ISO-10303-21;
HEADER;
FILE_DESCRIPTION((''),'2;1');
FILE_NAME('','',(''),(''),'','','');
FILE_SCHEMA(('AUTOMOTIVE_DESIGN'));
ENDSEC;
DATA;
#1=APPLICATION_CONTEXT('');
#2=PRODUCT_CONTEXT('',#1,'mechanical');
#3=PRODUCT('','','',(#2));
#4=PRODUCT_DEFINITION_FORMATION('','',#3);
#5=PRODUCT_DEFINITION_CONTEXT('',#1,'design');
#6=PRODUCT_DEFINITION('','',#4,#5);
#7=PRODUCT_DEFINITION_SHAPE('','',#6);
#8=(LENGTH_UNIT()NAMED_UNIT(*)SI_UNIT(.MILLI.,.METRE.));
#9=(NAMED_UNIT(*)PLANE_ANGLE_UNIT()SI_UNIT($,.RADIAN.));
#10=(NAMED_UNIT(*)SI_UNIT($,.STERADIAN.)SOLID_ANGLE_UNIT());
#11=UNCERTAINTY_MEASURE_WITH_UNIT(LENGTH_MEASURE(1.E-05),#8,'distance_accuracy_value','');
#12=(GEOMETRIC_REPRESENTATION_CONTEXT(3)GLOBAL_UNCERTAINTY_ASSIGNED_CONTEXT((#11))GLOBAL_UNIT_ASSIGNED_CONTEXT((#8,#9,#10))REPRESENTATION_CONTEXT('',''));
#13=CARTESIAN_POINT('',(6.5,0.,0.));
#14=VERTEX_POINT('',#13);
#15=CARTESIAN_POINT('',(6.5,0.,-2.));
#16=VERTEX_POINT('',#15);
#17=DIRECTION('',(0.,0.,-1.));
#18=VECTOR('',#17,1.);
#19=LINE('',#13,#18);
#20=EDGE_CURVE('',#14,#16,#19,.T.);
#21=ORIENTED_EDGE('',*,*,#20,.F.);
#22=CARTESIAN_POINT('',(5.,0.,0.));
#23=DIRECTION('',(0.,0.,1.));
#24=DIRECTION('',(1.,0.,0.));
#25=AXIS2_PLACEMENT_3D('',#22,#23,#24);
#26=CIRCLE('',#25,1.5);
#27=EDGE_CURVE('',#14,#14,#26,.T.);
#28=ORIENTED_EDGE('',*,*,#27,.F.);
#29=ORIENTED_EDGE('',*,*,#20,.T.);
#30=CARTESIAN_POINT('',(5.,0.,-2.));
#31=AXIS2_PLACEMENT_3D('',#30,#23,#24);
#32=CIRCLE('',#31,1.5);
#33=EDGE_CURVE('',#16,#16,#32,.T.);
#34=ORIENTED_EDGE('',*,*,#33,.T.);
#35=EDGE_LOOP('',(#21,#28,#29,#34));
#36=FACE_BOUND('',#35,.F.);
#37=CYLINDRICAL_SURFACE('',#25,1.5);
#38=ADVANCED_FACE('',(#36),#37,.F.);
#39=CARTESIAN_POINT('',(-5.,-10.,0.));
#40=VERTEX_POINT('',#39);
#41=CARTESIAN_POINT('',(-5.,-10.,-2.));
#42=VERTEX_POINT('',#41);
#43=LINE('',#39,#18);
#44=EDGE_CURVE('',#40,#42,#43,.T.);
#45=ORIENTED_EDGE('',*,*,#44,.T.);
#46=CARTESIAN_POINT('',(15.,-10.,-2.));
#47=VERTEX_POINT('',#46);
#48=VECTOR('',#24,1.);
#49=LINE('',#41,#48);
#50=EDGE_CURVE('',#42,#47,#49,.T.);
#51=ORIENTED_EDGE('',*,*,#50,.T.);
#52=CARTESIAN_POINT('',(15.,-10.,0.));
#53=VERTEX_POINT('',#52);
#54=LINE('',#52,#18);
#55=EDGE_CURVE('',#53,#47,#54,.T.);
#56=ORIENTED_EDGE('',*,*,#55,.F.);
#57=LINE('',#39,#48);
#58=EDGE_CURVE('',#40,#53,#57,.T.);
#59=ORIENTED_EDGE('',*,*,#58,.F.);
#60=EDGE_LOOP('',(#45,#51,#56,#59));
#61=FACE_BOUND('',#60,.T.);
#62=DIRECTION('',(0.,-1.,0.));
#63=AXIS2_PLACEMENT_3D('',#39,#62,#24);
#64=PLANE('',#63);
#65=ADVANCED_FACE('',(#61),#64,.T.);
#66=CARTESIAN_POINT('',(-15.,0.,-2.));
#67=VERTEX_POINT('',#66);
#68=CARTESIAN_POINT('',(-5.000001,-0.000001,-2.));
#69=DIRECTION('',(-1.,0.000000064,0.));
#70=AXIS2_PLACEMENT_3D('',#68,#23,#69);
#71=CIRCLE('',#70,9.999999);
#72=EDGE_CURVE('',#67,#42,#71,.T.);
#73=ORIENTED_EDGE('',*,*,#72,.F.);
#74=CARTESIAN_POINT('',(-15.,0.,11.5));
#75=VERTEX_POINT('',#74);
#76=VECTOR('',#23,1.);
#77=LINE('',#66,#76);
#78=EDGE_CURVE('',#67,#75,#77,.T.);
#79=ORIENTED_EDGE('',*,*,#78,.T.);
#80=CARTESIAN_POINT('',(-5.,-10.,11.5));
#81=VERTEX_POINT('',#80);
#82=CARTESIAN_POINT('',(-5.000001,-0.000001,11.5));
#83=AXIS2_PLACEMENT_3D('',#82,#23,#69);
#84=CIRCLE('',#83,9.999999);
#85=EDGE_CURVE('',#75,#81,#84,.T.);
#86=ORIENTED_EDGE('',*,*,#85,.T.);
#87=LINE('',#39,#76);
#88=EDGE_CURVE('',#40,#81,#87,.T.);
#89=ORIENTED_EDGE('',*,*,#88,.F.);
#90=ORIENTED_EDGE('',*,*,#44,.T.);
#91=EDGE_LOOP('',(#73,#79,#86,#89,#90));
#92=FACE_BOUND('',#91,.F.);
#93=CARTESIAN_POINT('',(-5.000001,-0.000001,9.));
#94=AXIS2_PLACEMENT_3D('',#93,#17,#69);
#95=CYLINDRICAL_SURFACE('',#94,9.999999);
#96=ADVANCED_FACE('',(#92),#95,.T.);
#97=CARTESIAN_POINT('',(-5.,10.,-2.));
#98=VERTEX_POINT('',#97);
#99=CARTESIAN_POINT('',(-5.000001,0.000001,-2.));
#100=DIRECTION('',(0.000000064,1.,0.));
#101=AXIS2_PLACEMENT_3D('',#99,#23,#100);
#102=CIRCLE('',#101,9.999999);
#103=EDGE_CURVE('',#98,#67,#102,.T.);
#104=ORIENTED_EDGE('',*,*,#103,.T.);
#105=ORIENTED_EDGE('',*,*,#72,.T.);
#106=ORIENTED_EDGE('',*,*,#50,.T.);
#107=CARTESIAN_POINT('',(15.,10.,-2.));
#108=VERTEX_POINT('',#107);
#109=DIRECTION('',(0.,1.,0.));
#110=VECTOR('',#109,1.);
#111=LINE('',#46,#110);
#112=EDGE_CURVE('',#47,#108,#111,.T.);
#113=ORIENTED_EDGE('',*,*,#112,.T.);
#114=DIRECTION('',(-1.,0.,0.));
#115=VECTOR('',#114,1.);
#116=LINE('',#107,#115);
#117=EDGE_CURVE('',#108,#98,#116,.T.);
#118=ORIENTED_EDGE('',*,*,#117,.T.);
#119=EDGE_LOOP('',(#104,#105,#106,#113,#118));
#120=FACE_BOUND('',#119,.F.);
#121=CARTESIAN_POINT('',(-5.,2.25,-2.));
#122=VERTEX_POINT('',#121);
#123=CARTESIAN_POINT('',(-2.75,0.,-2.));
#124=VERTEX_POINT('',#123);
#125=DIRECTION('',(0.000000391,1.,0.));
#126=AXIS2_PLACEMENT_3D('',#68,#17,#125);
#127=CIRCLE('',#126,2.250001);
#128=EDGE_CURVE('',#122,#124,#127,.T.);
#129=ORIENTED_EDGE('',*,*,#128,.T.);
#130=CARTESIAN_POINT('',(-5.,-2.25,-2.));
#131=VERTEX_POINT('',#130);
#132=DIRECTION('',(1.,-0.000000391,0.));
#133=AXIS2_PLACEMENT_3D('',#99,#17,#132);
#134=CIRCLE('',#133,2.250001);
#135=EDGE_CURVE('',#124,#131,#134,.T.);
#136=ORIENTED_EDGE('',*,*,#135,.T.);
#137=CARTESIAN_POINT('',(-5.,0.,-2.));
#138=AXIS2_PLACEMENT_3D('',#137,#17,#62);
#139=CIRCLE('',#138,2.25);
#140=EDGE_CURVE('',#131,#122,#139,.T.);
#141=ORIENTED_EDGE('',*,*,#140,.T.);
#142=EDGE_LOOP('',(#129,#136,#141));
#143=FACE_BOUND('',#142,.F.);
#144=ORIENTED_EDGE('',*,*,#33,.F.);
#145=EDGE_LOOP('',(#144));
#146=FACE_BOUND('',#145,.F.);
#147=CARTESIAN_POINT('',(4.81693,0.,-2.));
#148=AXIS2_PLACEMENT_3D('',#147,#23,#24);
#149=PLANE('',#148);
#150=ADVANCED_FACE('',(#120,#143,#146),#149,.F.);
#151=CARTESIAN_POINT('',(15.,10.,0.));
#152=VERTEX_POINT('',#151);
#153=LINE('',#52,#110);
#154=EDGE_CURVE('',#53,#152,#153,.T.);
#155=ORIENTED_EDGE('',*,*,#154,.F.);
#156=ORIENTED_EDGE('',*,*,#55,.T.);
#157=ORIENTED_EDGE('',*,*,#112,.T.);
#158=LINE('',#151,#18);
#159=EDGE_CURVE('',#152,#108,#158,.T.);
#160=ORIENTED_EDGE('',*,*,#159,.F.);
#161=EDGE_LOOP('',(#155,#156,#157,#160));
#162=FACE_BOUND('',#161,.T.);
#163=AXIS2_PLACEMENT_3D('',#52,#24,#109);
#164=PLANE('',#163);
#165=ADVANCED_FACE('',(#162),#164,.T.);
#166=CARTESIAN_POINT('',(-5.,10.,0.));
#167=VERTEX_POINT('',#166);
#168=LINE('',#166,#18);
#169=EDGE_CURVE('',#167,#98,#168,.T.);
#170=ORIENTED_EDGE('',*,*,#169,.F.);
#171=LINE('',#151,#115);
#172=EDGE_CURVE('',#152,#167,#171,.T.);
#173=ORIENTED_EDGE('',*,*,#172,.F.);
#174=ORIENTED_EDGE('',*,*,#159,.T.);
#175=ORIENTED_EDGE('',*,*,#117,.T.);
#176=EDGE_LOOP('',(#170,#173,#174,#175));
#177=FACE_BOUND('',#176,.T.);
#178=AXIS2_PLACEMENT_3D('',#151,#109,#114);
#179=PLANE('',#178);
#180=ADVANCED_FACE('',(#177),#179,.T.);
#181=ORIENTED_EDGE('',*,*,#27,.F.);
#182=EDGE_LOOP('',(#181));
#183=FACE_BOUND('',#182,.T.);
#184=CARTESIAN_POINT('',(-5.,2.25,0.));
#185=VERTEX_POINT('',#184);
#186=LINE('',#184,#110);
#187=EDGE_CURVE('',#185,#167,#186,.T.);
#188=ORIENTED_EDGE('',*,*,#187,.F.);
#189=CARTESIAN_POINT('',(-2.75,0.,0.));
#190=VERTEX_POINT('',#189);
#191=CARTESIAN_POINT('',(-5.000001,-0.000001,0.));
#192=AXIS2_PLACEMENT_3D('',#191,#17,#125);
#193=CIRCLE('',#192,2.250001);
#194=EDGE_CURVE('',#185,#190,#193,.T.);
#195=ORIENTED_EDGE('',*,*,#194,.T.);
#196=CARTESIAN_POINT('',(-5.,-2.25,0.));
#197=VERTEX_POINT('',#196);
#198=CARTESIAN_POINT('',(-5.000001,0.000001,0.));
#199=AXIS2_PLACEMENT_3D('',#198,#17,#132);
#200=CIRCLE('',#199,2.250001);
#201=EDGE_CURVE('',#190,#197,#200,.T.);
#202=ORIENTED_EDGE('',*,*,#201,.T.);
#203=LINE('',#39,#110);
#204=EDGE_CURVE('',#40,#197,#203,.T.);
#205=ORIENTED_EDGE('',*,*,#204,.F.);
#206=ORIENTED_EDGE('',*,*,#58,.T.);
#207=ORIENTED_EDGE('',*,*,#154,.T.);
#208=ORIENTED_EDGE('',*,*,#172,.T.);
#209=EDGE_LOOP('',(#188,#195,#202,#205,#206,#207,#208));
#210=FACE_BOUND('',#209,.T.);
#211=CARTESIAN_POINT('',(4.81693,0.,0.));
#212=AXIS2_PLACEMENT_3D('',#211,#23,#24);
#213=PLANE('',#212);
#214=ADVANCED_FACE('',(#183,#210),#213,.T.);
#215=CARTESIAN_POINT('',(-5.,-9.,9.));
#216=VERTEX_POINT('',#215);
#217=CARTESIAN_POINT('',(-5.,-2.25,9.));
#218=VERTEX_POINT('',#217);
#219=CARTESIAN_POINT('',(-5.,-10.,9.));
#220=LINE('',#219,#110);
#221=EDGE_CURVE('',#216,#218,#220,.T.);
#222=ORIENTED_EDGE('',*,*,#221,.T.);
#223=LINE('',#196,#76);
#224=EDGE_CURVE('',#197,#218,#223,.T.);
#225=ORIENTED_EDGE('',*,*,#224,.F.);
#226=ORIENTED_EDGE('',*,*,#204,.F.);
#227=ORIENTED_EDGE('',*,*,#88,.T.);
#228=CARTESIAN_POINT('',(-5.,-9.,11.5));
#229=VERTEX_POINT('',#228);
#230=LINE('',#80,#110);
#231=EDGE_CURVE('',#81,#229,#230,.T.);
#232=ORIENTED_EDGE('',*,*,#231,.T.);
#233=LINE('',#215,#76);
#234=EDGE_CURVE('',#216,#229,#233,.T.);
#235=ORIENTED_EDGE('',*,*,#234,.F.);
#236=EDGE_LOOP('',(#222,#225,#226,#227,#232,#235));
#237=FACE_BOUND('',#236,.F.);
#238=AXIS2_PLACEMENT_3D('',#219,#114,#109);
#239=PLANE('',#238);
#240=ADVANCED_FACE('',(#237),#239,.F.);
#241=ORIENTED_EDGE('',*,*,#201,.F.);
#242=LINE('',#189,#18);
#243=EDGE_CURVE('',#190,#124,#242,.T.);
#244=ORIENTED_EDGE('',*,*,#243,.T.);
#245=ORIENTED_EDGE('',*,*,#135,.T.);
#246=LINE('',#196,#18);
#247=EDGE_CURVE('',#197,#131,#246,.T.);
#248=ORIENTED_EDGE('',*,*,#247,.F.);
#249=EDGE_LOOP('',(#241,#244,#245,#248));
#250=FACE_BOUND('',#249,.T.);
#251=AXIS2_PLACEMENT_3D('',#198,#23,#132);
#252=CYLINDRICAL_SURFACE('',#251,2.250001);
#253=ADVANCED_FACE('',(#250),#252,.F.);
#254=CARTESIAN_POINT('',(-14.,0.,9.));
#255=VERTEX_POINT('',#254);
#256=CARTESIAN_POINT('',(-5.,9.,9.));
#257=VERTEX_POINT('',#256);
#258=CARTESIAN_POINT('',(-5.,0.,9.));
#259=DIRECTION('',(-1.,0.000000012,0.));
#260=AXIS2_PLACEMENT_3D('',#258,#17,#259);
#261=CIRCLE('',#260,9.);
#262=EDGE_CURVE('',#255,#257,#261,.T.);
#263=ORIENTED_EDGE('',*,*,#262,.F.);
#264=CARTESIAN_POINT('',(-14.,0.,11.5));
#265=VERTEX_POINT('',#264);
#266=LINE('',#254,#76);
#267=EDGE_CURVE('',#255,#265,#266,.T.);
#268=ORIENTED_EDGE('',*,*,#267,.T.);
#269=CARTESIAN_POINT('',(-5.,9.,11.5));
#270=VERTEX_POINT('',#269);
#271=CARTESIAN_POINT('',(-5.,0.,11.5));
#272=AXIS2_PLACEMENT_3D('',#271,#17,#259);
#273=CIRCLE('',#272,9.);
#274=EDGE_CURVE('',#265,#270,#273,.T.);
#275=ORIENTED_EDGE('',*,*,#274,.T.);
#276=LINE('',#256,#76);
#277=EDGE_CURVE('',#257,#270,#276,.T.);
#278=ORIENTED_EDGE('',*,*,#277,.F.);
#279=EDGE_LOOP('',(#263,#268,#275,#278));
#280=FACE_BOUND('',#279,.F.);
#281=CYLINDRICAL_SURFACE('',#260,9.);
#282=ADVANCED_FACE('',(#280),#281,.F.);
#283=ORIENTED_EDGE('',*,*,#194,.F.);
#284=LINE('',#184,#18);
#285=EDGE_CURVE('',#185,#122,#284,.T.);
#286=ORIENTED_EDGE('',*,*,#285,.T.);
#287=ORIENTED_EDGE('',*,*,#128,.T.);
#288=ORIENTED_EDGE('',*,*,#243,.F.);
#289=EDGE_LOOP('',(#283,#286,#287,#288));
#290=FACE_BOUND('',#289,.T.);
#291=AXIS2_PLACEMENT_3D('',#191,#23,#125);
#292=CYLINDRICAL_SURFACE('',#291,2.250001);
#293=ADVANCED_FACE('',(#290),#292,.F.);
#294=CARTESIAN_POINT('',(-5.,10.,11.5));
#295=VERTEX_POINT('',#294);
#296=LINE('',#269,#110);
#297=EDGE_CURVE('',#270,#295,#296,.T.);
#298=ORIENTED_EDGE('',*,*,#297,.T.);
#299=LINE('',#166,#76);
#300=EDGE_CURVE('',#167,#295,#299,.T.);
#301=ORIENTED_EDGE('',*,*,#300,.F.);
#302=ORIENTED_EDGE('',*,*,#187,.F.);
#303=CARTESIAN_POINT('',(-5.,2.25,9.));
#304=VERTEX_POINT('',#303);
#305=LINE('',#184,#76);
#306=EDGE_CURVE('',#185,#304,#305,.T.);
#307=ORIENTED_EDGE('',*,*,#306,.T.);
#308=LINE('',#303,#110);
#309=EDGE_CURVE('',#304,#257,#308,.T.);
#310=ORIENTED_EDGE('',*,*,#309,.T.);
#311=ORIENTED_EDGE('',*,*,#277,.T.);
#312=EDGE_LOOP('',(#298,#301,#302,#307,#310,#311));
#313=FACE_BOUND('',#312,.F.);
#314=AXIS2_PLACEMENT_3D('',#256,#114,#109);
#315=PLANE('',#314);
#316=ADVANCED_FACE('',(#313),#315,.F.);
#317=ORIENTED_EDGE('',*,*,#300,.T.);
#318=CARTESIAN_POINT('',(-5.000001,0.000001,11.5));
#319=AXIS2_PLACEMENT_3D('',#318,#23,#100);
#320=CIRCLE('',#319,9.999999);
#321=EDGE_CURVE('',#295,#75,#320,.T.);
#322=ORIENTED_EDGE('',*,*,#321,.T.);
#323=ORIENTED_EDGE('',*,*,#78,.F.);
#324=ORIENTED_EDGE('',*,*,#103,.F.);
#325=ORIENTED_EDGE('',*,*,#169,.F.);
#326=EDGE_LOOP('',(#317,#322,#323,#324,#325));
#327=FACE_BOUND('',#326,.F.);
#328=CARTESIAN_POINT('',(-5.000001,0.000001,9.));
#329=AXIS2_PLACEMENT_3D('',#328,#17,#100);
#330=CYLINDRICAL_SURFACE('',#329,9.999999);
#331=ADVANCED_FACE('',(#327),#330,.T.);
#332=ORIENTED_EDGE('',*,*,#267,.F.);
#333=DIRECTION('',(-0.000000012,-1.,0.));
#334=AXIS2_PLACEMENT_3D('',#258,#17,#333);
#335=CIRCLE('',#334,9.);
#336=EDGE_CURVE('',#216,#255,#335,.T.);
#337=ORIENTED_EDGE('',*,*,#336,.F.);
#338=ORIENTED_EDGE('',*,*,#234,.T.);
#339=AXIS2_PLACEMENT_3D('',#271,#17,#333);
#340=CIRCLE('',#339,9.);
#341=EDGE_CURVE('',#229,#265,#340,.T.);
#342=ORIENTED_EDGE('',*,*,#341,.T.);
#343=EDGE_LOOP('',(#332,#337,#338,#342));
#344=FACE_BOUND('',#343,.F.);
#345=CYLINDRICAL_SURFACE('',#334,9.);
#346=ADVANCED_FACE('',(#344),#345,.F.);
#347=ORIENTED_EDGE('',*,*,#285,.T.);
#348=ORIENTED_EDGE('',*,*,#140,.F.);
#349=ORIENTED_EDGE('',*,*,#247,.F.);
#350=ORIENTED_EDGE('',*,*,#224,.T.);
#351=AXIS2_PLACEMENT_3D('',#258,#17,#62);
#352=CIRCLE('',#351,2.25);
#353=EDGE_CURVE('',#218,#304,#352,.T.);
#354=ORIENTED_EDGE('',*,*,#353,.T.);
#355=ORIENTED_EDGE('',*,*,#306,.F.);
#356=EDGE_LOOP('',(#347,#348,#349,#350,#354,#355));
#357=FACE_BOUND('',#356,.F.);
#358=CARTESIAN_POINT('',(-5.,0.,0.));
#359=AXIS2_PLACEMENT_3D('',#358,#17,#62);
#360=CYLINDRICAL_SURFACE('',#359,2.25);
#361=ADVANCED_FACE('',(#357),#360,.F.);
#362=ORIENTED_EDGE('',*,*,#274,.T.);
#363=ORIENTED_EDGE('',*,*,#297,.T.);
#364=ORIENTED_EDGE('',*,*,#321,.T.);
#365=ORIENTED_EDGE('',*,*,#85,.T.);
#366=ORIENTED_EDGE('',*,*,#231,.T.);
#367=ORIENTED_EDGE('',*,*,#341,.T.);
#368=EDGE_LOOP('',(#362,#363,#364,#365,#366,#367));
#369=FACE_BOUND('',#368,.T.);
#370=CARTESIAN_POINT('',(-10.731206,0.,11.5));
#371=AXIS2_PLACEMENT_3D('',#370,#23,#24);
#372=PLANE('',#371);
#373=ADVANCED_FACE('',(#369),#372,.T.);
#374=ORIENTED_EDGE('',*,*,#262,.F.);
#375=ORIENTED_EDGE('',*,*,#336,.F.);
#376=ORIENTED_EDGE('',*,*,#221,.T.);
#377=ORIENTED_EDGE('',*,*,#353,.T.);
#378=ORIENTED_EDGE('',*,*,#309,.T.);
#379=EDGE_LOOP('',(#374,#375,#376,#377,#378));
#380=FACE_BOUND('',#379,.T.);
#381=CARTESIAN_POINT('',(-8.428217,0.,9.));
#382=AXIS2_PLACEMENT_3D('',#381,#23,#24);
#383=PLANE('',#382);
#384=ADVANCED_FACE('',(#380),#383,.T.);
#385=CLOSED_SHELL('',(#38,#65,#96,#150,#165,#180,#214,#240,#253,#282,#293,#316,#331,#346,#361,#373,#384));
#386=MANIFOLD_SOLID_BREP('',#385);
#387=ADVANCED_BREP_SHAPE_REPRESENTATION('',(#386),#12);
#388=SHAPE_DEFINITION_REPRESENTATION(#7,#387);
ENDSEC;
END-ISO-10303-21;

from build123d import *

# Parameters (mm, degrees)
F0_R     = 1.5
F1_DEPTH = 2
F2_DEPTH = 9
F4_DEPTH = 2.5


with BuildPart() as f1:
    # F0 (on Top) → F1 (new body)
    with BuildSketch(Plane.XY):
        with BuildLine():
            Line((-5, -10), (15, -10))
            Line((15, -10), (15, 10))
            Line((15, 10), (-5, 10))
            Line((-5, 10), (-5, 9))
            Line((-5, 9), (-5, 2.25))
            ThreePointArc((-5, 2.25), (-3.40901, 1.59099), (-2.75, 0))
            ThreePointArc((-2.75, 0), (-3.40901, -1.59099), (-5, -2.25))
            Line((-5, -2.25), (-5, -9))
            Line((-5, -9), (-5, -10))
        make_face()
        with Locations((5, 0)):
            Circle(F0_R, mode=Mode.SUBTRACT)
        with BuildLine():
            ThreePointArc((-15, 0), (-12.071068, -7.071068), (-5, -10))
            Line((-5, -10), (-5, -9))
            ThreePointArc((-5, -9), (-11.363961, -6.363961), (-14, 0))
            ThreePointArc((-14, 0), (-11.363961, 6.363961), (-5, 9))
            Line((-5, 9), (-5, 10))
            ThreePointArc((-5, 10), (-12.071068, 7.071068), (-15, 0))
        make_face()
        with BuildLine():
            ThreePointArc((-14, 0), (-11.363961, -6.363961), (-5, -9))
            Line((-5, -9), (-5, -2.25))
            ThreePointArc((-5, -2.25), (-7.25, 0), (-5, 2.25))
            Line((-5, 2.25), (-5, 9))
            ThreePointArc((-5, 9), (-11.363961, 6.363961), (-14, 0))
        make_face()
    extrude(amount=-F1_DEPTH)

    # F0 (on Top) → F2 (join)
    with BuildSketch(Plane.XY):
        with BuildLine():
            ThreePointArc((-14, 0), (-11.363961, -6.363961), (-5, -9))
            Line((-5, -9), (-5, -2.25))
            ThreePointArc((-5, -2.25), (-7.25, 0), (-5, 2.25))
            Line((-5, 2.25), (-5, 9))
            ThreePointArc((-5, 9), (-11.363961, 6.363961), (-14, 0))
        make_face()
        with BuildLine():
            ThreePointArc((-15, 0), (-12.071068, -7.071068), (-5, -10))
            Line((-5, -10), (-5, -9))
            ThreePointArc((-5, -9), (-11.363961, -6.363961), (-14, 0))
            ThreePointArc((-14, 0), (-11.363961, 6.363961), (-5, 9))
            Line((-5, 9), (-5, 10))
            ThreePointArc((-5, 10), (-12.071068, 7.071068), (-15, 0))
        make_face()
    extrude(amount=F2_DEPTH)

    # F3 (on face) → F4 (join)
    with BuildSketch(Plane.XY.offset(9)):
        with BuildLine():
            Line((-5, 9), (-5, 10))
            ThreePointArc((-5, 10), (-12.071068, 7.071068), (-15, 0))
            ThreePointArc((-15, 0), (-12.071068, -7.071068), (-5, -10))
            Line((-5, -10), (-5, -9))
            ThreePointArc((-5, -9), (-11.363961, -6.363961), (-14, 0))
            ThreePointArc((-14, 0), (-11.363961, 6.363961), (-5, 9))
        make_face()
    extrude(amount=F4_DEPTH)


solid = f1.part
